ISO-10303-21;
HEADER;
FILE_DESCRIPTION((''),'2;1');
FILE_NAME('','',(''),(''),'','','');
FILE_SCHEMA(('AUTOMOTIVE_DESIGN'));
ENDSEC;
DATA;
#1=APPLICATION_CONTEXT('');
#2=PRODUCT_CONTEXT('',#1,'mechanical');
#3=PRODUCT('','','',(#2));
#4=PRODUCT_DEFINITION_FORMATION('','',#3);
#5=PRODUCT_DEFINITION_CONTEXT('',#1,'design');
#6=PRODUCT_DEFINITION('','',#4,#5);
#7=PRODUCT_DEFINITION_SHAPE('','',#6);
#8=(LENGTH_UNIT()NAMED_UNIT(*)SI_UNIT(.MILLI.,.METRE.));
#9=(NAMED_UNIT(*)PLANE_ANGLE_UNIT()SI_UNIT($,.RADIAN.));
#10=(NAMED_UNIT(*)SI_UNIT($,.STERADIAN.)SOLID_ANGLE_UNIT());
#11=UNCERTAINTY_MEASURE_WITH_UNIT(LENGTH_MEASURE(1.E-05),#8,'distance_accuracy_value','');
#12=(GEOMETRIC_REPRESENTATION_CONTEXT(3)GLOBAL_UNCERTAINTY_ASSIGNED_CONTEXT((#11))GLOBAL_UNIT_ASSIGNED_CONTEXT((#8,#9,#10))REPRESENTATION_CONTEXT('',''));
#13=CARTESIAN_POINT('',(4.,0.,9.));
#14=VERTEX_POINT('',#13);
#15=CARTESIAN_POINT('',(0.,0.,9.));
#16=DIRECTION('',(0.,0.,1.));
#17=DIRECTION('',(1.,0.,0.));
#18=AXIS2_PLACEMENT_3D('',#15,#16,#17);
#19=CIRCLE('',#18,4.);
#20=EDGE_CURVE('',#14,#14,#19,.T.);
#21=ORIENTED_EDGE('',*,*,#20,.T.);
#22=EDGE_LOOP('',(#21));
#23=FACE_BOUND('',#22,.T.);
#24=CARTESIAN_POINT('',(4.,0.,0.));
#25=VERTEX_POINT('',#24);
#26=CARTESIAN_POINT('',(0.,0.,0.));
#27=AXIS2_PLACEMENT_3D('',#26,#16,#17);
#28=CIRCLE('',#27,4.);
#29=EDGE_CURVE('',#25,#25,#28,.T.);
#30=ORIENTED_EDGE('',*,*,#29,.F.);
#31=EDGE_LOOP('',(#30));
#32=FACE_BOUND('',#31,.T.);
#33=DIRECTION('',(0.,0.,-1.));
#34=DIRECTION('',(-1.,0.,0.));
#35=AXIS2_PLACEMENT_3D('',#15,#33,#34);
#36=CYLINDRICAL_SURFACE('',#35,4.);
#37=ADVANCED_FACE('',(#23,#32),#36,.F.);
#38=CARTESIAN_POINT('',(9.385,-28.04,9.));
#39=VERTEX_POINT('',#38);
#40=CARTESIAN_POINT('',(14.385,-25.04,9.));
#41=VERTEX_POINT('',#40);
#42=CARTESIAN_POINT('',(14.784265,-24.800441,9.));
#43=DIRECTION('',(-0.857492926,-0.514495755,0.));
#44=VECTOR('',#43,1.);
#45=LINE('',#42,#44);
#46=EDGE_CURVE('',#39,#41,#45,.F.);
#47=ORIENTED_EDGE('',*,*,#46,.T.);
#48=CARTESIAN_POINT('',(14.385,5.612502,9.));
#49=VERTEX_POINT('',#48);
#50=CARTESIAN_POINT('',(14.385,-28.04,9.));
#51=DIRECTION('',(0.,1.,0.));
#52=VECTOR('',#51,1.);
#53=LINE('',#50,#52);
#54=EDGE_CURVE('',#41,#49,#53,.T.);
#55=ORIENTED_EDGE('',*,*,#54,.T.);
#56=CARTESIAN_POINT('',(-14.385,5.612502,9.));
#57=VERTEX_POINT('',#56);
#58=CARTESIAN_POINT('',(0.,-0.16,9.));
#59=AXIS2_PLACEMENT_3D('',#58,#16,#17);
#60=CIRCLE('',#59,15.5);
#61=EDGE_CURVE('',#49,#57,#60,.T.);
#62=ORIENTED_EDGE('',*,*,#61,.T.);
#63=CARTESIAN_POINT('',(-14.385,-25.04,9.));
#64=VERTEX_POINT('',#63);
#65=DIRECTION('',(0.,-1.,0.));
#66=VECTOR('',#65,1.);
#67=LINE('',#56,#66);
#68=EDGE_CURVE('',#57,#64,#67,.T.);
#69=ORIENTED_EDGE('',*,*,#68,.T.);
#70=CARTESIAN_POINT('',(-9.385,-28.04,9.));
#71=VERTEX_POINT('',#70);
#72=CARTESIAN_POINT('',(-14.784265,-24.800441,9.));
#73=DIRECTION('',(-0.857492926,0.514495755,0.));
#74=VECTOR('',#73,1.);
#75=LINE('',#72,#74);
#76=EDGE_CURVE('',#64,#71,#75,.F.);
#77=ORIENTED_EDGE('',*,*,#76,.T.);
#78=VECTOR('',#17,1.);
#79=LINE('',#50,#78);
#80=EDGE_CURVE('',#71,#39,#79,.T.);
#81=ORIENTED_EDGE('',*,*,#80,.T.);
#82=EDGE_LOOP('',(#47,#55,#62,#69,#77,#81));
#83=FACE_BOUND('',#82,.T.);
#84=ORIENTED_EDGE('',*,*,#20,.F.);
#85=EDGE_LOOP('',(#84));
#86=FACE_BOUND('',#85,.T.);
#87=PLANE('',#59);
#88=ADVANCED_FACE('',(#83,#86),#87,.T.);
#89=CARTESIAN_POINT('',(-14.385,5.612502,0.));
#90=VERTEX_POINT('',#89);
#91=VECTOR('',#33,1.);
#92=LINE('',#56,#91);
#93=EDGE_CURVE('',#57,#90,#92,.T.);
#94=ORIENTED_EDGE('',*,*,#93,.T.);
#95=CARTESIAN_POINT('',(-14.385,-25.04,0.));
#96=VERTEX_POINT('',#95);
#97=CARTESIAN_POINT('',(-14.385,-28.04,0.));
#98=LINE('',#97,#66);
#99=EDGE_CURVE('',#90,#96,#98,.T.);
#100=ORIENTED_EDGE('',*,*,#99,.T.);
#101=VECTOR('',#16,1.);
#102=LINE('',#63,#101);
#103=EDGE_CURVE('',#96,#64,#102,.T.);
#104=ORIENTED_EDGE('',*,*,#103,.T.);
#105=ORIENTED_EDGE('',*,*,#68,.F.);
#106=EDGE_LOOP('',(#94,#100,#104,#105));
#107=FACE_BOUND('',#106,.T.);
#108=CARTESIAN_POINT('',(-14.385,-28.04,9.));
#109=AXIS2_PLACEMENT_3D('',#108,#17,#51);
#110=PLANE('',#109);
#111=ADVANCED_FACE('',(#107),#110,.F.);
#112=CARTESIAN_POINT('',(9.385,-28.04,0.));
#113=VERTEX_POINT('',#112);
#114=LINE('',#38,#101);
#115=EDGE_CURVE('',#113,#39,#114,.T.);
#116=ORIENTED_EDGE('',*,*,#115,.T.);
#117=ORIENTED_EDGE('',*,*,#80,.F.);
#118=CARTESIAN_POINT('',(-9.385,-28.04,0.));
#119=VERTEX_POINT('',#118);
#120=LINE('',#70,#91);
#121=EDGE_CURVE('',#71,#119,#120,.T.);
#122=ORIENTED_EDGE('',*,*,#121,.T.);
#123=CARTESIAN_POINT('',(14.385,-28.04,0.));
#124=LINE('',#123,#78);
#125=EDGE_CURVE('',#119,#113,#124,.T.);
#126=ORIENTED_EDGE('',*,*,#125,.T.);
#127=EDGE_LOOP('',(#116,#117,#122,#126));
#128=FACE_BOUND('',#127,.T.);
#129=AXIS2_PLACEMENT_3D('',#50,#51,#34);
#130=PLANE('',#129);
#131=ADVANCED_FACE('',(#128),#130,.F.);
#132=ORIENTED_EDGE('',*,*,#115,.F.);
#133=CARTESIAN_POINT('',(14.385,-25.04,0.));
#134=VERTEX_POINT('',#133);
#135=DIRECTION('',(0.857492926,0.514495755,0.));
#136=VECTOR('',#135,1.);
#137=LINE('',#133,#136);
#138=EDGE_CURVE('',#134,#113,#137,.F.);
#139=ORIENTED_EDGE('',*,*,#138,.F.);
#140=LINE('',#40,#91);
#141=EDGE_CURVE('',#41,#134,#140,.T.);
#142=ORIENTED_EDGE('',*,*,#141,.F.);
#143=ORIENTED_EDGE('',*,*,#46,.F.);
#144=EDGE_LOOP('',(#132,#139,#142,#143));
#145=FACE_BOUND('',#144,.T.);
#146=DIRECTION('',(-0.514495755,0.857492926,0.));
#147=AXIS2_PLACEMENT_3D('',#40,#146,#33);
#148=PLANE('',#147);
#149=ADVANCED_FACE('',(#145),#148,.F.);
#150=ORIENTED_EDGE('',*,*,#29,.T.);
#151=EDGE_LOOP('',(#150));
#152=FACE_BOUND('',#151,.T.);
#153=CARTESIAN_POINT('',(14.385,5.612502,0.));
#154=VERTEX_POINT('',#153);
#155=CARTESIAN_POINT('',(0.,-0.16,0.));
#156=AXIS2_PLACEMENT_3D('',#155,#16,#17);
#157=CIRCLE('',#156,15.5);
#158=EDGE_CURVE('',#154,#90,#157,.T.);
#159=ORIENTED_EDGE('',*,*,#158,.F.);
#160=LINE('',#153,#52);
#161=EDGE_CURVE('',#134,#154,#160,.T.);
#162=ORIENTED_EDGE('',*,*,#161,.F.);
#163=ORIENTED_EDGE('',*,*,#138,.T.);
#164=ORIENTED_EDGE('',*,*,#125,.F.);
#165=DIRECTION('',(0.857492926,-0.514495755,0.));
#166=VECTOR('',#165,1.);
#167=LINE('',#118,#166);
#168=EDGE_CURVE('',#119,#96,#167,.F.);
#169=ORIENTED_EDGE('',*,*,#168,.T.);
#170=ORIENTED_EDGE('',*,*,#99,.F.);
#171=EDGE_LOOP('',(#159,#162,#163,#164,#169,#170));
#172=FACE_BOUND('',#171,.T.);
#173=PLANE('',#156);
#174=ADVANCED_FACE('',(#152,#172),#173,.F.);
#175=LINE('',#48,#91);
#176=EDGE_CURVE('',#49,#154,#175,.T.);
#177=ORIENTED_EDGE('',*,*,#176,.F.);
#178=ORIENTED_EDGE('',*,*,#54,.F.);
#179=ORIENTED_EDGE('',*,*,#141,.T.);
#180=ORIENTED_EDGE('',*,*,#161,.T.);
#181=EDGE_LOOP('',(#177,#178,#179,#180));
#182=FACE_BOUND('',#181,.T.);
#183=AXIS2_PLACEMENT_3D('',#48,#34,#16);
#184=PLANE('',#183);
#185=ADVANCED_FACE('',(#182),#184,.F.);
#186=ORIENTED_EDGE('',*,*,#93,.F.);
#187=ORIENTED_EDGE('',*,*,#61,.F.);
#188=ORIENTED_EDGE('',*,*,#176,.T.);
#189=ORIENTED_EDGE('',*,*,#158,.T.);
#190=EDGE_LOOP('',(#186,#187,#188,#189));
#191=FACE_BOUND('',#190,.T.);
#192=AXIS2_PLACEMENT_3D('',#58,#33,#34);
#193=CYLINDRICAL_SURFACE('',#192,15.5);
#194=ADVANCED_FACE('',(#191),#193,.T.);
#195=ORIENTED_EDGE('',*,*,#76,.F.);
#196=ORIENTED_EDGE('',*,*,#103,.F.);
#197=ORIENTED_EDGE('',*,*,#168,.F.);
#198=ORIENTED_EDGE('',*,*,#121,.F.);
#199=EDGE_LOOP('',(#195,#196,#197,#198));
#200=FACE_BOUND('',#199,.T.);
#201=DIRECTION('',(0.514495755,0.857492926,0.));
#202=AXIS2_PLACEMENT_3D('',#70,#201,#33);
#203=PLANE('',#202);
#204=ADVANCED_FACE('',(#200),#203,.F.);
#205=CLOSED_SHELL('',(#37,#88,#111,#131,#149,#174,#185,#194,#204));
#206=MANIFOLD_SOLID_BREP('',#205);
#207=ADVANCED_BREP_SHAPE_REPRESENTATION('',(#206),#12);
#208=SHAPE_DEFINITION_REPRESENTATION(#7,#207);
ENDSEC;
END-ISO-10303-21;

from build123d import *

# Parameters (mm, degrees)
SKETCH_1_R      = 4
EXTRUDE_1_DEPTH = 9
CHAMFER_1_SIZE  = 5
CHAMFER_1_SIZE2 = 3
CHAMFER_2_SIZE  = 3
CHAMFER_2_SIZE2 = 5


with BuildPart() as part:
    # ｽｹｯﾁ1 → ﾎﾞｽ - 押し出し1 (new body)
    with BuildSketch(Plane.XY):
        with BuildLine():
            Line((14.385, -28.04), (-14.385, -28.04))
            Line((-14.385, -28.04), (-14.385, -5.612501624))
            Line((-14.385, -5.612501624), (-14.385, 5.612501624))
            ThreePointArc((-14.385, 5.612501624), (0, 15.34), (14.385, 5.612501624))
            Line((14.385, 5.612501624), (14.385, -5.612501624))
            Line((14.385, -5.612501624), (14.385, -28.04))
        make_face()
        Circle(SKETCH_1_R, mode=Mode.SUBTRACT)
    extrude(amount=EXTRUDE_1_DEPTH)

    # 面取り1
    chamfer_1_edges = [part.edges().sort_by_distance(p)[0] for p in [
        (14.385, -28.04, 4.5),
    ]]
    chamfer_1_side = [part.faces().sort_by_distance(p)[0] for p in [
        (0, -28.04, 4.5),
    ]]
    chamfer(chamfer_1_edges, length=CHAMFER_1_SIZE, length2=CHAMFER_1_SIZE2, reference=chamfer_1_side[0])

    # 面取り2
    chamfer_2_edges = [part.edges().sort_by_distance(p)[0] for p in [
        (-14.385, -28.04, 4.5),
    ]]
    chamfer_2_side = [part.faces().sort_by_distance(p)[0] for p in [
        (-14.385, -11.213749188, 4.5),
    ]]
    chamfer(chamfer_2_edges, length=CHAMFER_2_SIZE, length2=CHAMFER_2_SIZE2, reference=chamfer_2_side[0])


solid = part.part
